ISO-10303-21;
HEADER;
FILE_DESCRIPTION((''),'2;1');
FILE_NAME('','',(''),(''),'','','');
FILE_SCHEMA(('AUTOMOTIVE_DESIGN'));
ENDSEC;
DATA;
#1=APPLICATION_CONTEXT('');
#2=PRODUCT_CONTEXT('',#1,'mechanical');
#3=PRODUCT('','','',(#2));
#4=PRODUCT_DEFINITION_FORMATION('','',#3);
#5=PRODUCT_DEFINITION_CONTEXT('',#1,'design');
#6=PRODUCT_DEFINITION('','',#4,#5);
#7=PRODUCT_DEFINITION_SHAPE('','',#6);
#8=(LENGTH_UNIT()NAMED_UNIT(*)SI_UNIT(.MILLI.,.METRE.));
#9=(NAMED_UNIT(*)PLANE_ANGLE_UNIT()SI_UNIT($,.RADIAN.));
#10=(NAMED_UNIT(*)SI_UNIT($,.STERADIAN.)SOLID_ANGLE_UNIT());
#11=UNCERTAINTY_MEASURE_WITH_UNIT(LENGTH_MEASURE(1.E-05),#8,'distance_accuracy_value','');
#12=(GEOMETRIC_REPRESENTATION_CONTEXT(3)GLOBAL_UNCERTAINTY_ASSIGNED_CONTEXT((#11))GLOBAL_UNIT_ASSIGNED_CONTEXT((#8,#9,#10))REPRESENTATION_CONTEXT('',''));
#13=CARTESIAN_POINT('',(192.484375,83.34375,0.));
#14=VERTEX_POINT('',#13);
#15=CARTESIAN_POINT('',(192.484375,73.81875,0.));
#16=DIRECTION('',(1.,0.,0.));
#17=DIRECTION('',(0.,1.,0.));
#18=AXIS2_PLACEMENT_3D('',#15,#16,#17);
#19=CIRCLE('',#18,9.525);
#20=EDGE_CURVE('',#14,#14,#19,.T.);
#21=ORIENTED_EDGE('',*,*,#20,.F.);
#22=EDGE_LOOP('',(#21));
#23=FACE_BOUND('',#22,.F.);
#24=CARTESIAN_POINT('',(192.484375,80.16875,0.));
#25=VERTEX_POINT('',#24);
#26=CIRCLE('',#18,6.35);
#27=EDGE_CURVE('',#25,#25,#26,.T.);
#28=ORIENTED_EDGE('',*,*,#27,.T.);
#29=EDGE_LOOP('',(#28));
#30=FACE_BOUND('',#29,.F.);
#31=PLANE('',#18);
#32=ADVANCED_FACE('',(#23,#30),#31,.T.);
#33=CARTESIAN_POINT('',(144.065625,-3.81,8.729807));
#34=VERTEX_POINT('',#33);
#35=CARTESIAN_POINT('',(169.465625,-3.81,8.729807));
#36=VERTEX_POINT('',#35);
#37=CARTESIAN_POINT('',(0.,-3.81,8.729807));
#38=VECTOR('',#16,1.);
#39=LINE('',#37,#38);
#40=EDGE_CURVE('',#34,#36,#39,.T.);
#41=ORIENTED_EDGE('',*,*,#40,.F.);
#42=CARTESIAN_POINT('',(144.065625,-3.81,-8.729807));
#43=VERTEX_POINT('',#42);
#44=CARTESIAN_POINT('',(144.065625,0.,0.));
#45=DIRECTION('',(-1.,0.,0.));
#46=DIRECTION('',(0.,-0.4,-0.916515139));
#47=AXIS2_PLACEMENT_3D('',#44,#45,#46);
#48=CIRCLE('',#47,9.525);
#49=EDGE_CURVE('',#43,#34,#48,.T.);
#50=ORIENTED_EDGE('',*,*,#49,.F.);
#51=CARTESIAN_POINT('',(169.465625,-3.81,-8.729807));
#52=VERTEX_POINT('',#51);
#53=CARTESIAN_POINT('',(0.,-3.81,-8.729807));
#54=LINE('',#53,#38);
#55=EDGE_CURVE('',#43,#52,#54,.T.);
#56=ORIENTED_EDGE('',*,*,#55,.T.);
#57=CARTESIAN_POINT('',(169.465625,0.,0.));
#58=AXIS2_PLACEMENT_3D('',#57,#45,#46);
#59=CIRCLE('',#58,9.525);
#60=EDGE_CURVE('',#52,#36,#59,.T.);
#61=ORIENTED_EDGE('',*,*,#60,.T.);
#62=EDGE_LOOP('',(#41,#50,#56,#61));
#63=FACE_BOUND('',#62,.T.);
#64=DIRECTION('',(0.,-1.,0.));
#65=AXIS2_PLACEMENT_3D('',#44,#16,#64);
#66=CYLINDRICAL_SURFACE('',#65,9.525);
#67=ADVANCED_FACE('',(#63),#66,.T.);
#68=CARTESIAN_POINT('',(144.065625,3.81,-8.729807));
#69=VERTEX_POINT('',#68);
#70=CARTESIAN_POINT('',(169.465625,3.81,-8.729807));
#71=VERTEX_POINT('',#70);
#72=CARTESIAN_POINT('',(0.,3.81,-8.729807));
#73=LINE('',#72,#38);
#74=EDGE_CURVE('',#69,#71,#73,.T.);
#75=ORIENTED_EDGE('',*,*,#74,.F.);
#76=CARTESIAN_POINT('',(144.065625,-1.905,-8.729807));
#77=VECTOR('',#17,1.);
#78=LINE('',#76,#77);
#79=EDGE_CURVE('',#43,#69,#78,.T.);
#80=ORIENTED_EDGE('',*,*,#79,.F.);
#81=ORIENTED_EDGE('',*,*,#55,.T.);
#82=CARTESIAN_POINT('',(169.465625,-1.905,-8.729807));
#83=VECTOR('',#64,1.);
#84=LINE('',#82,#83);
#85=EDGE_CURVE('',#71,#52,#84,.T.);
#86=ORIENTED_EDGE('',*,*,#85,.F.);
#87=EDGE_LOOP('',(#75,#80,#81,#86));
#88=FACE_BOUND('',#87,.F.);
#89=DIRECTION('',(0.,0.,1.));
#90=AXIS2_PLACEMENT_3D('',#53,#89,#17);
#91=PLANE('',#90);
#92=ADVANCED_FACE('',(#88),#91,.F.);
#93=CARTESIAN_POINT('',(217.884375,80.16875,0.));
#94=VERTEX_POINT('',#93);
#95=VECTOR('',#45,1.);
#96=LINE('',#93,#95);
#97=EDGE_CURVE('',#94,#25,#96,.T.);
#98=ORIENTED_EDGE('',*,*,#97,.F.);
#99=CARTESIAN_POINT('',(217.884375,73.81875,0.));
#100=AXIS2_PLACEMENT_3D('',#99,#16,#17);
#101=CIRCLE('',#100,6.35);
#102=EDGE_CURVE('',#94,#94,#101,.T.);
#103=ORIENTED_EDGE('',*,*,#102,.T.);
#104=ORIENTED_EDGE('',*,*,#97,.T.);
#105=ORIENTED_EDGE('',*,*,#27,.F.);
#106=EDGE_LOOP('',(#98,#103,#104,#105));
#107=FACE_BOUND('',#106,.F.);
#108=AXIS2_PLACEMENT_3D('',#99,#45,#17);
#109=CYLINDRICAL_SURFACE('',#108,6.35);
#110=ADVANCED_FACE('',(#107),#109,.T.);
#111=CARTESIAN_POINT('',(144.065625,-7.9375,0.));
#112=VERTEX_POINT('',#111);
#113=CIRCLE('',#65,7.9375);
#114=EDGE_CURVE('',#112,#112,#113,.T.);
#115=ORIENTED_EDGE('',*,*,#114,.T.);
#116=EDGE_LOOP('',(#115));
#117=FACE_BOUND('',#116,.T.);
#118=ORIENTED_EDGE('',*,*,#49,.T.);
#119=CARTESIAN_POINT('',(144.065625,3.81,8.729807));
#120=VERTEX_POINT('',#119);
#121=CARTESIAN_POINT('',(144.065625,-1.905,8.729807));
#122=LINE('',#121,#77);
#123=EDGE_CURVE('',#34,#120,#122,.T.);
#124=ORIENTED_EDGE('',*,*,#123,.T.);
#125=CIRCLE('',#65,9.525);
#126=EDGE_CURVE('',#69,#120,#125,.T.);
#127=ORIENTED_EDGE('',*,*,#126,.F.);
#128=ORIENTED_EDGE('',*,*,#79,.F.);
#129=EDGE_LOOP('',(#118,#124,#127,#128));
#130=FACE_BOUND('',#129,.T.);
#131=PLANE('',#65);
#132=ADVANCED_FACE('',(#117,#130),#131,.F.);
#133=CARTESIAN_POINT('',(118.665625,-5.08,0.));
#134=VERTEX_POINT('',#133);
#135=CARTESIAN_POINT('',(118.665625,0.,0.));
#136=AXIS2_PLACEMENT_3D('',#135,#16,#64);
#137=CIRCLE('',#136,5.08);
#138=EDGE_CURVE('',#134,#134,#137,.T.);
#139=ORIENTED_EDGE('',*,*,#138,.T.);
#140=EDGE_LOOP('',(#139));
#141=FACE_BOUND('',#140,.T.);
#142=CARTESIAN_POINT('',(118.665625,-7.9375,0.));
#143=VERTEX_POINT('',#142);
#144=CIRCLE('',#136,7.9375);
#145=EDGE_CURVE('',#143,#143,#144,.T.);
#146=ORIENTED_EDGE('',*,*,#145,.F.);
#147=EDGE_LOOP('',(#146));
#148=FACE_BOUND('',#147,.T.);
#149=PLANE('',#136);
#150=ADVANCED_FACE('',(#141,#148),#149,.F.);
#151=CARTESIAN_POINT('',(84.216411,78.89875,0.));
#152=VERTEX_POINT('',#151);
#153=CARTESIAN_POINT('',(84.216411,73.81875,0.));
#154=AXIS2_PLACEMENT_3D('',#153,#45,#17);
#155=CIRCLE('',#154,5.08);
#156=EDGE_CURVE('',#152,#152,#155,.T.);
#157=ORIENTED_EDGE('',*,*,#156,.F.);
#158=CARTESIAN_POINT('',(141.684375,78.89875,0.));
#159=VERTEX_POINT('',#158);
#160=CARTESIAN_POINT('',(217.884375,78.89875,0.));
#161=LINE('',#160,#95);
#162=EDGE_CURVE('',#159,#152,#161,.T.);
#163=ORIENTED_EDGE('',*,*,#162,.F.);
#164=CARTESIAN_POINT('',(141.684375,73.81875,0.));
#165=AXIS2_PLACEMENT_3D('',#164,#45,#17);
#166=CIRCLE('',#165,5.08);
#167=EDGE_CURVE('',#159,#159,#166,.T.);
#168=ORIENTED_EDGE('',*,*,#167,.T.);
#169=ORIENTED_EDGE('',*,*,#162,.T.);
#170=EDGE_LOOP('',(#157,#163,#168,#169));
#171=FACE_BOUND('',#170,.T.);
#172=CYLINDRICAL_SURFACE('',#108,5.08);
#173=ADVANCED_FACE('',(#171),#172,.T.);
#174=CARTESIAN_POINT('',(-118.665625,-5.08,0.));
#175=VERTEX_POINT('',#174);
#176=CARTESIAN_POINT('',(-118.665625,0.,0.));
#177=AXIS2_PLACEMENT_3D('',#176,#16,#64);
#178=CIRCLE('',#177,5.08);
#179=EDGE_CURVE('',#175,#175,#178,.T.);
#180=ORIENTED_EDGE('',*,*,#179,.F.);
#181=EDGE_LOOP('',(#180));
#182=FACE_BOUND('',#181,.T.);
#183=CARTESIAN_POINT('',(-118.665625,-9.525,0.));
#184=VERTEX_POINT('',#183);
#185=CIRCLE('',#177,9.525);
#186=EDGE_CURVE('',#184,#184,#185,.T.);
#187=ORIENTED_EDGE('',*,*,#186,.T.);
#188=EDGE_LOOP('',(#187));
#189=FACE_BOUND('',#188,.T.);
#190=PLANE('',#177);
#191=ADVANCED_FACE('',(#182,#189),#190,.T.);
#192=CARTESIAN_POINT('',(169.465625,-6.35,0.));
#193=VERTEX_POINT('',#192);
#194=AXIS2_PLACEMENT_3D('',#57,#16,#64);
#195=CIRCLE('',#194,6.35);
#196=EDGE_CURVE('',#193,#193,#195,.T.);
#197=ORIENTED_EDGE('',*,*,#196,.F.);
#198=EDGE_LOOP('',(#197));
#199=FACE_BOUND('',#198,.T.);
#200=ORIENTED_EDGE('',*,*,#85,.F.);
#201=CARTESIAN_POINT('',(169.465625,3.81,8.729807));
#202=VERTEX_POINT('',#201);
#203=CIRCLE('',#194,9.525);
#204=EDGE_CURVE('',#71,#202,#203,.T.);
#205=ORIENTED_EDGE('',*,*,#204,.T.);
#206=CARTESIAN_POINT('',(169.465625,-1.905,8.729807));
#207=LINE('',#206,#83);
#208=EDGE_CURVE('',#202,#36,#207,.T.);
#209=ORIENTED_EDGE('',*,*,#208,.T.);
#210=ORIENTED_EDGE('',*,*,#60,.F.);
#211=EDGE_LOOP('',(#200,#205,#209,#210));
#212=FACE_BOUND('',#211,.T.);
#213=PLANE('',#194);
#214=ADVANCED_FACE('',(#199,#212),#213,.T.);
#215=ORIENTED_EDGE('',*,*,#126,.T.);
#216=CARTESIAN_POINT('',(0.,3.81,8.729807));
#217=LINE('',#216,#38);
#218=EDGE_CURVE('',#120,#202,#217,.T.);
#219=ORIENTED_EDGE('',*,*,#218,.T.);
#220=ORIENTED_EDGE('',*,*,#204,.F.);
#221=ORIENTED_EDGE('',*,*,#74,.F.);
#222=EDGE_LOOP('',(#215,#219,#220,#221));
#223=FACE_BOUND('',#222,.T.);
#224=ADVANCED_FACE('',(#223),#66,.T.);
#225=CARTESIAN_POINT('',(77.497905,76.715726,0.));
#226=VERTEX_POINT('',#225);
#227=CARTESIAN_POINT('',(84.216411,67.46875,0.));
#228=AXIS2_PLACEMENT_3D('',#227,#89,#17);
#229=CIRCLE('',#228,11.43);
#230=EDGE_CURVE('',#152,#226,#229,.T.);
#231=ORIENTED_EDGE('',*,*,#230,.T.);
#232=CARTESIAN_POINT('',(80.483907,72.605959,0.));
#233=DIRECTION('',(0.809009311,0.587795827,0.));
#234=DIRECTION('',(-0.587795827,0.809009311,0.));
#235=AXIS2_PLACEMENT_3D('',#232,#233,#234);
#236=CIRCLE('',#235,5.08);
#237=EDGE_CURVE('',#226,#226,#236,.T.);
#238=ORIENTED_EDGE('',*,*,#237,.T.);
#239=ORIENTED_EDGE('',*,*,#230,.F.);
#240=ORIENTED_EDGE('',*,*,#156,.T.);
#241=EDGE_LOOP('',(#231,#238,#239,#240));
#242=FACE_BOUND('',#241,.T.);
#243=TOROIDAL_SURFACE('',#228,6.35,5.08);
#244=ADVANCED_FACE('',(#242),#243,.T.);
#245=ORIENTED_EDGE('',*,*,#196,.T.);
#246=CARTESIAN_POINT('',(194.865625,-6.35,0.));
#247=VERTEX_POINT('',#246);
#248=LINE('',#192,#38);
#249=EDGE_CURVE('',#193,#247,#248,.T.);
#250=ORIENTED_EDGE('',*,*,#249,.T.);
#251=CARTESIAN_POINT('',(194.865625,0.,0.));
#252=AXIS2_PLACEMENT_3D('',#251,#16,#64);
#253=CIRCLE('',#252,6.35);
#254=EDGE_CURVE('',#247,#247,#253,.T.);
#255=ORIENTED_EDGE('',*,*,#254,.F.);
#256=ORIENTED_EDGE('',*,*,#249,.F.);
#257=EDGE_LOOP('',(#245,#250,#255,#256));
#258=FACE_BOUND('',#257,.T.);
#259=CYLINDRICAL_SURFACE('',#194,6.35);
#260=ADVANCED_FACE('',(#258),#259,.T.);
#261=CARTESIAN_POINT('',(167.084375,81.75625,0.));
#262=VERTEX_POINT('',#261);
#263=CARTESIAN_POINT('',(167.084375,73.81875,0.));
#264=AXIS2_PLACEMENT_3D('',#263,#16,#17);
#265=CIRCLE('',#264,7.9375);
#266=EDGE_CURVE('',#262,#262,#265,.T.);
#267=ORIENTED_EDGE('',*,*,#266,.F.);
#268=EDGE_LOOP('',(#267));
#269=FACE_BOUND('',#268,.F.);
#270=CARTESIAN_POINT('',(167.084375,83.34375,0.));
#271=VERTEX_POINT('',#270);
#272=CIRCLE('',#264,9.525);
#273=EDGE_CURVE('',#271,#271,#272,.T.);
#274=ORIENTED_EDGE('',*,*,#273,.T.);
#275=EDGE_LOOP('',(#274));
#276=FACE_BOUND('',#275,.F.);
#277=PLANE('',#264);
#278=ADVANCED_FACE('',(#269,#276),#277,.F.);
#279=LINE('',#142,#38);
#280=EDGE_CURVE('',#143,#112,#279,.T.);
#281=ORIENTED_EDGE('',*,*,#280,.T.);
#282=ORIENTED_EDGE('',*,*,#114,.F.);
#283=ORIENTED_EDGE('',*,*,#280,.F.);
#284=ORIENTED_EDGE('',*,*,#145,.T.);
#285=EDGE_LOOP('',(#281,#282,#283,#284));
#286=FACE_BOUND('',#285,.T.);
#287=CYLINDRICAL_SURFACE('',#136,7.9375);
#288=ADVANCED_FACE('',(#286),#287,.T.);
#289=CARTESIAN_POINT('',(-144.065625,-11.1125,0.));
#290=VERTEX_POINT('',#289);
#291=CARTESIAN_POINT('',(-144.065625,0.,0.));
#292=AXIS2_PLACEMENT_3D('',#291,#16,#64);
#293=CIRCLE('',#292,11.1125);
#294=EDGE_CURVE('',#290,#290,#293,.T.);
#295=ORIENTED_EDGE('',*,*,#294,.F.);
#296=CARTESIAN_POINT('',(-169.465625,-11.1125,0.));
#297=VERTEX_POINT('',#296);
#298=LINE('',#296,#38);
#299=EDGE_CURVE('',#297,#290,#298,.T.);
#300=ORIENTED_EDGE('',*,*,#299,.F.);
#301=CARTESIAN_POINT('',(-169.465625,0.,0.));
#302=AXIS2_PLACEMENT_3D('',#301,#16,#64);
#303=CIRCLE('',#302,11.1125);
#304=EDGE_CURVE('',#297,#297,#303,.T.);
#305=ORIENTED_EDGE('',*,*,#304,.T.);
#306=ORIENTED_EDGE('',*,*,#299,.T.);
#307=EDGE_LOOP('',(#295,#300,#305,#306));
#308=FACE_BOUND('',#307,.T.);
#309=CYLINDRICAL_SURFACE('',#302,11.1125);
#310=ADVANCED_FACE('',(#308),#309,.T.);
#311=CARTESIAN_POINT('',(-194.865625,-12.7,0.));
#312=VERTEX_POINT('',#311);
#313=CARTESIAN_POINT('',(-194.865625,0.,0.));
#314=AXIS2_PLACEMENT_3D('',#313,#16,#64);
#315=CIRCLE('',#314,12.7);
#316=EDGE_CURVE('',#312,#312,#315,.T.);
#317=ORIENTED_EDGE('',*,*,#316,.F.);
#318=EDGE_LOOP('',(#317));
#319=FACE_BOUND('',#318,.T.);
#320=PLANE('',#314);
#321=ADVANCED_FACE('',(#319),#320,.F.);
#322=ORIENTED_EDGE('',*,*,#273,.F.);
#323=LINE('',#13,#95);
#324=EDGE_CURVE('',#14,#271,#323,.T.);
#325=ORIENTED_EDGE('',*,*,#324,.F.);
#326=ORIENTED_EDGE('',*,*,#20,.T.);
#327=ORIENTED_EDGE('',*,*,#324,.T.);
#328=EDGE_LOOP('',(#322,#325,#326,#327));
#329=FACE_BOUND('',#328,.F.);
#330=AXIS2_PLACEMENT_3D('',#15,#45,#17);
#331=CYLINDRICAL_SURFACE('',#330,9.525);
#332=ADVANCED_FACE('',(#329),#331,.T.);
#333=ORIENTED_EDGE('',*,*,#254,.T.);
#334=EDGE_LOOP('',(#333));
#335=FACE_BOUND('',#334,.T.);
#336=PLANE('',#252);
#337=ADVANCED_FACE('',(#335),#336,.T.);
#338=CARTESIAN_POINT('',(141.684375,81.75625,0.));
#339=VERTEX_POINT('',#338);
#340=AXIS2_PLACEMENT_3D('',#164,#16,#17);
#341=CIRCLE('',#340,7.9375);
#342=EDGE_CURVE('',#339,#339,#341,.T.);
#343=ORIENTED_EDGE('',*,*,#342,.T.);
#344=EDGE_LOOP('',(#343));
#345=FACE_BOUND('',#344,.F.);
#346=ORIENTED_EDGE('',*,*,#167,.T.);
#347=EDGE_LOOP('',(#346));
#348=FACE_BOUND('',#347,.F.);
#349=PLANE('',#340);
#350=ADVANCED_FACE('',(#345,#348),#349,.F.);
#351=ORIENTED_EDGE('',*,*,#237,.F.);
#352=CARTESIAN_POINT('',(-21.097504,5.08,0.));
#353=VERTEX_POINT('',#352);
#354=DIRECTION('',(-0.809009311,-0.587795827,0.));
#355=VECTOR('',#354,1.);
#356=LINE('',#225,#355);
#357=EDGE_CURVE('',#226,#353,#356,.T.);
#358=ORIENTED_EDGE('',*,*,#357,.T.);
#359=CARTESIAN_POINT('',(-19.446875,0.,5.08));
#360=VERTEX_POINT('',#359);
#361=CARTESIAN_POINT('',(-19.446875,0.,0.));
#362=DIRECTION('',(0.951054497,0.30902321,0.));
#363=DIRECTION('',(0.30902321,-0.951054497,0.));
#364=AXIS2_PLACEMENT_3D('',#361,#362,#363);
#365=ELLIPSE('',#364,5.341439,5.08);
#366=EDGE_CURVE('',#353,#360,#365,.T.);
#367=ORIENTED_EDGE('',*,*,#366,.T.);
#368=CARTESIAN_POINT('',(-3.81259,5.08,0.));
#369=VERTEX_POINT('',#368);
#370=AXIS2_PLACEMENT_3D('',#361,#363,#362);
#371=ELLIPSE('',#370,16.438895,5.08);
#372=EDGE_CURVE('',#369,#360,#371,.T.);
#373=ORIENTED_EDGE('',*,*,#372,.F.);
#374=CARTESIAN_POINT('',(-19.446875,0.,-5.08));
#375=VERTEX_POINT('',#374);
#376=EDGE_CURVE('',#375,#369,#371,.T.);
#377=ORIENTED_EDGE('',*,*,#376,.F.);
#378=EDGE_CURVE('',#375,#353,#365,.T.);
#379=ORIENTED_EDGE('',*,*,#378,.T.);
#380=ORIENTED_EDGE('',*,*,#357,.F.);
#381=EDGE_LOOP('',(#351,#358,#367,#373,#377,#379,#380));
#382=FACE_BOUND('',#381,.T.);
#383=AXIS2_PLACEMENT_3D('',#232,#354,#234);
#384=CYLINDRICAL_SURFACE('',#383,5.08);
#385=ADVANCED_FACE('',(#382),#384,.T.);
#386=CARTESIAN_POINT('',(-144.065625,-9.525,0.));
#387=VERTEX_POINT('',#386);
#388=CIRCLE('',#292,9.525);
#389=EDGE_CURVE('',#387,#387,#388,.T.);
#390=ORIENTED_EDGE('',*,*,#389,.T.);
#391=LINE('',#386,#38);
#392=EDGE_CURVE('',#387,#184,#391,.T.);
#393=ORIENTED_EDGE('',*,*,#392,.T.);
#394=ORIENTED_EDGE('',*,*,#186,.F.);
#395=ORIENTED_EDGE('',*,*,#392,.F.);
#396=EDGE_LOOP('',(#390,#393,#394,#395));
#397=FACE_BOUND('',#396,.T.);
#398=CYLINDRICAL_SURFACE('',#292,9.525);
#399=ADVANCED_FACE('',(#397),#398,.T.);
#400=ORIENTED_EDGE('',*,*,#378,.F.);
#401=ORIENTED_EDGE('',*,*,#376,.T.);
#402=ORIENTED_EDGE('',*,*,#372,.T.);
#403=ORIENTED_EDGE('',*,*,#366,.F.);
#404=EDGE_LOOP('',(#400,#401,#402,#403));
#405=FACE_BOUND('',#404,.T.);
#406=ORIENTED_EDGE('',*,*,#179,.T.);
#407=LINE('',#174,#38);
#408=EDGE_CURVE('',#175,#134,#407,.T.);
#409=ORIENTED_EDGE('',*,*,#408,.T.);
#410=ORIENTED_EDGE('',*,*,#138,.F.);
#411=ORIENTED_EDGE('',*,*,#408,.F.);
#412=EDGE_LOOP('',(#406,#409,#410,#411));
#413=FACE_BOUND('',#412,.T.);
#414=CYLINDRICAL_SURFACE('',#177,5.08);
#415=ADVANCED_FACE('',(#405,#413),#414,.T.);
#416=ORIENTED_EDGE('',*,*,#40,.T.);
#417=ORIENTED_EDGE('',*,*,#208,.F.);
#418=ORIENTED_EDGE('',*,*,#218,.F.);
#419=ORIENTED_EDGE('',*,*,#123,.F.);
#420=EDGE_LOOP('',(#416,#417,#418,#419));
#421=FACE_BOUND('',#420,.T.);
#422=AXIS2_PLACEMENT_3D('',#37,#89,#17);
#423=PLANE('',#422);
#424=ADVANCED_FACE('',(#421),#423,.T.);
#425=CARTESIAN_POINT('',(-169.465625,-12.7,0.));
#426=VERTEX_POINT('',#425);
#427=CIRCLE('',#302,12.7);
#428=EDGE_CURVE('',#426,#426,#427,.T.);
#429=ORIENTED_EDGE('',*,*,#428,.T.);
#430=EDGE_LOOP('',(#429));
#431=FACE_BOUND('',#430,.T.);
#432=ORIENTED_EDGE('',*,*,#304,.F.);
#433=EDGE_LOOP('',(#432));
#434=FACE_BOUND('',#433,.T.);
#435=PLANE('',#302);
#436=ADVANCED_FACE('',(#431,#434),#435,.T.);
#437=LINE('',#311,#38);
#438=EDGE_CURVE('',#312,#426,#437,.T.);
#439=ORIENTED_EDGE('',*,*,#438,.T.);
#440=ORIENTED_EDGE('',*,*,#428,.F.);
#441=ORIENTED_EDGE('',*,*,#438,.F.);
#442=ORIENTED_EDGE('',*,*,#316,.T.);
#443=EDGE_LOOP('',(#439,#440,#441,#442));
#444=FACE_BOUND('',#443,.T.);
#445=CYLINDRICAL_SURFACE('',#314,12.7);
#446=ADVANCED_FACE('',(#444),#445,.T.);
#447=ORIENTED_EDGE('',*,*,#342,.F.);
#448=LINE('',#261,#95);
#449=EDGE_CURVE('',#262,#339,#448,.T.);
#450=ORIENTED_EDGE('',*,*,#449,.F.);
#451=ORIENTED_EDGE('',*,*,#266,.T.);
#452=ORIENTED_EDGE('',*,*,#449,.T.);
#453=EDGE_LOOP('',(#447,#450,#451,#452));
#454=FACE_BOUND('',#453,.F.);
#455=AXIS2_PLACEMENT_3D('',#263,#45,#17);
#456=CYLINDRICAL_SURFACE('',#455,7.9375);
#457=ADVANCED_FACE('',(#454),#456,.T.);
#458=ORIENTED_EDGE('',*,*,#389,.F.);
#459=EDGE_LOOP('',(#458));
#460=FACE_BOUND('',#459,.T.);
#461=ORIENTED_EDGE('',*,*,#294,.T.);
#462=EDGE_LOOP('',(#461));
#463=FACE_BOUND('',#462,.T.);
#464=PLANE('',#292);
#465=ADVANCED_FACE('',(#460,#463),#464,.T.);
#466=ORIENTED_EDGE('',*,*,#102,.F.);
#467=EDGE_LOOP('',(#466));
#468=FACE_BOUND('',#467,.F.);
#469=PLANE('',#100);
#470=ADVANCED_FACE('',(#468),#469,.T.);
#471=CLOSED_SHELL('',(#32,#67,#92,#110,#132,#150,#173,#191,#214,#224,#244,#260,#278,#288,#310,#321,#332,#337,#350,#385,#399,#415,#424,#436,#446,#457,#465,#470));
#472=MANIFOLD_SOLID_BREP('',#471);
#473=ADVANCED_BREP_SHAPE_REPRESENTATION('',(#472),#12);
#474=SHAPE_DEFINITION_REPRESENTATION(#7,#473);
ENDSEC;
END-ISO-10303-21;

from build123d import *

# Parameters (mm, degrees)
F3_R     = 5.08
F7_W     = 7.62
F7_H     = 0.7951933011
F8_DEPTH = 217.885375


with BuildPart() as f1:
    # F0 (on Top) → F1 (revolve)
    with BuildSketch(Plane.XY):
        Polygon((-19.446875, 0), (-194.865625, 0), (-194.865625, -12.7), (-169.465625, -12.7), (-169.465625, -11.1125), (-144.065625, -11.1125), (-144.065625, -9.525), (-118.665625, -9.525), (-118.665625, -5.08), (118.665625, -5.08), (118.665625, -7.9375), (144.065625, -7.9375), (144.065625, -9.525), (169.465625, -9.525), (169.465625, -6.35), (194.865625, -6.35), (194.865625, 0), align=None)
    revolve(axis=Axis((7.8748166561, 0, 0), (1, 0, 0)))

    # F4: sweep along a path in F0
    with BuildLine(Plane.XY) as f4_path:
        Line((217.884375, 73.81875), (84.2164109554, 73.81875))
        ThreePointArc((84.2164109554, 73.81875), (82.2541135698, 73.5079460533), (80.4839074509, 72.6059591245))
        Line((80.4839074509, 72.6059591245), (-19.446875, 0))
    # F3 (on plane+point) → F4 (sweep)
    with BuildSketch(Plane.YZ.offset(217.884375)):
        with Locations((73.81875, 0)):
            Circle(F3_R)
    sweep(path=f4_path.line)

    # F5 (on Top) → F6 (revolve)
    with BuildSketch(Plane.XY):
        Polygon((141.684375, 73.81875), (217.884375, 73.81875), (217.884375, 80.16875), (192.484375, 80.16875), (192.484375, 83.34375), (167.084375, 83.34375), (167.084375, 81.75625), (141.684375, 81.75625), align=None)
    revolve(axis=Axis((213.4950719774, 73.81875, 0), (1, 0, 0)))

    # F7 (on Right) → F8 (cut, through all)
    with BuildSketch(Plane.YZ):
        with Locations((0, 9.1274033494)):
            Rectangle(F7_W, F7_H)
        with Locations((0, -9.1274033494)):
            Rectangle(F7_W, F7_H)
    extrude(amount=F8_DEPTH, mode=Mode.SUBTRACT)


solid = f1.part
